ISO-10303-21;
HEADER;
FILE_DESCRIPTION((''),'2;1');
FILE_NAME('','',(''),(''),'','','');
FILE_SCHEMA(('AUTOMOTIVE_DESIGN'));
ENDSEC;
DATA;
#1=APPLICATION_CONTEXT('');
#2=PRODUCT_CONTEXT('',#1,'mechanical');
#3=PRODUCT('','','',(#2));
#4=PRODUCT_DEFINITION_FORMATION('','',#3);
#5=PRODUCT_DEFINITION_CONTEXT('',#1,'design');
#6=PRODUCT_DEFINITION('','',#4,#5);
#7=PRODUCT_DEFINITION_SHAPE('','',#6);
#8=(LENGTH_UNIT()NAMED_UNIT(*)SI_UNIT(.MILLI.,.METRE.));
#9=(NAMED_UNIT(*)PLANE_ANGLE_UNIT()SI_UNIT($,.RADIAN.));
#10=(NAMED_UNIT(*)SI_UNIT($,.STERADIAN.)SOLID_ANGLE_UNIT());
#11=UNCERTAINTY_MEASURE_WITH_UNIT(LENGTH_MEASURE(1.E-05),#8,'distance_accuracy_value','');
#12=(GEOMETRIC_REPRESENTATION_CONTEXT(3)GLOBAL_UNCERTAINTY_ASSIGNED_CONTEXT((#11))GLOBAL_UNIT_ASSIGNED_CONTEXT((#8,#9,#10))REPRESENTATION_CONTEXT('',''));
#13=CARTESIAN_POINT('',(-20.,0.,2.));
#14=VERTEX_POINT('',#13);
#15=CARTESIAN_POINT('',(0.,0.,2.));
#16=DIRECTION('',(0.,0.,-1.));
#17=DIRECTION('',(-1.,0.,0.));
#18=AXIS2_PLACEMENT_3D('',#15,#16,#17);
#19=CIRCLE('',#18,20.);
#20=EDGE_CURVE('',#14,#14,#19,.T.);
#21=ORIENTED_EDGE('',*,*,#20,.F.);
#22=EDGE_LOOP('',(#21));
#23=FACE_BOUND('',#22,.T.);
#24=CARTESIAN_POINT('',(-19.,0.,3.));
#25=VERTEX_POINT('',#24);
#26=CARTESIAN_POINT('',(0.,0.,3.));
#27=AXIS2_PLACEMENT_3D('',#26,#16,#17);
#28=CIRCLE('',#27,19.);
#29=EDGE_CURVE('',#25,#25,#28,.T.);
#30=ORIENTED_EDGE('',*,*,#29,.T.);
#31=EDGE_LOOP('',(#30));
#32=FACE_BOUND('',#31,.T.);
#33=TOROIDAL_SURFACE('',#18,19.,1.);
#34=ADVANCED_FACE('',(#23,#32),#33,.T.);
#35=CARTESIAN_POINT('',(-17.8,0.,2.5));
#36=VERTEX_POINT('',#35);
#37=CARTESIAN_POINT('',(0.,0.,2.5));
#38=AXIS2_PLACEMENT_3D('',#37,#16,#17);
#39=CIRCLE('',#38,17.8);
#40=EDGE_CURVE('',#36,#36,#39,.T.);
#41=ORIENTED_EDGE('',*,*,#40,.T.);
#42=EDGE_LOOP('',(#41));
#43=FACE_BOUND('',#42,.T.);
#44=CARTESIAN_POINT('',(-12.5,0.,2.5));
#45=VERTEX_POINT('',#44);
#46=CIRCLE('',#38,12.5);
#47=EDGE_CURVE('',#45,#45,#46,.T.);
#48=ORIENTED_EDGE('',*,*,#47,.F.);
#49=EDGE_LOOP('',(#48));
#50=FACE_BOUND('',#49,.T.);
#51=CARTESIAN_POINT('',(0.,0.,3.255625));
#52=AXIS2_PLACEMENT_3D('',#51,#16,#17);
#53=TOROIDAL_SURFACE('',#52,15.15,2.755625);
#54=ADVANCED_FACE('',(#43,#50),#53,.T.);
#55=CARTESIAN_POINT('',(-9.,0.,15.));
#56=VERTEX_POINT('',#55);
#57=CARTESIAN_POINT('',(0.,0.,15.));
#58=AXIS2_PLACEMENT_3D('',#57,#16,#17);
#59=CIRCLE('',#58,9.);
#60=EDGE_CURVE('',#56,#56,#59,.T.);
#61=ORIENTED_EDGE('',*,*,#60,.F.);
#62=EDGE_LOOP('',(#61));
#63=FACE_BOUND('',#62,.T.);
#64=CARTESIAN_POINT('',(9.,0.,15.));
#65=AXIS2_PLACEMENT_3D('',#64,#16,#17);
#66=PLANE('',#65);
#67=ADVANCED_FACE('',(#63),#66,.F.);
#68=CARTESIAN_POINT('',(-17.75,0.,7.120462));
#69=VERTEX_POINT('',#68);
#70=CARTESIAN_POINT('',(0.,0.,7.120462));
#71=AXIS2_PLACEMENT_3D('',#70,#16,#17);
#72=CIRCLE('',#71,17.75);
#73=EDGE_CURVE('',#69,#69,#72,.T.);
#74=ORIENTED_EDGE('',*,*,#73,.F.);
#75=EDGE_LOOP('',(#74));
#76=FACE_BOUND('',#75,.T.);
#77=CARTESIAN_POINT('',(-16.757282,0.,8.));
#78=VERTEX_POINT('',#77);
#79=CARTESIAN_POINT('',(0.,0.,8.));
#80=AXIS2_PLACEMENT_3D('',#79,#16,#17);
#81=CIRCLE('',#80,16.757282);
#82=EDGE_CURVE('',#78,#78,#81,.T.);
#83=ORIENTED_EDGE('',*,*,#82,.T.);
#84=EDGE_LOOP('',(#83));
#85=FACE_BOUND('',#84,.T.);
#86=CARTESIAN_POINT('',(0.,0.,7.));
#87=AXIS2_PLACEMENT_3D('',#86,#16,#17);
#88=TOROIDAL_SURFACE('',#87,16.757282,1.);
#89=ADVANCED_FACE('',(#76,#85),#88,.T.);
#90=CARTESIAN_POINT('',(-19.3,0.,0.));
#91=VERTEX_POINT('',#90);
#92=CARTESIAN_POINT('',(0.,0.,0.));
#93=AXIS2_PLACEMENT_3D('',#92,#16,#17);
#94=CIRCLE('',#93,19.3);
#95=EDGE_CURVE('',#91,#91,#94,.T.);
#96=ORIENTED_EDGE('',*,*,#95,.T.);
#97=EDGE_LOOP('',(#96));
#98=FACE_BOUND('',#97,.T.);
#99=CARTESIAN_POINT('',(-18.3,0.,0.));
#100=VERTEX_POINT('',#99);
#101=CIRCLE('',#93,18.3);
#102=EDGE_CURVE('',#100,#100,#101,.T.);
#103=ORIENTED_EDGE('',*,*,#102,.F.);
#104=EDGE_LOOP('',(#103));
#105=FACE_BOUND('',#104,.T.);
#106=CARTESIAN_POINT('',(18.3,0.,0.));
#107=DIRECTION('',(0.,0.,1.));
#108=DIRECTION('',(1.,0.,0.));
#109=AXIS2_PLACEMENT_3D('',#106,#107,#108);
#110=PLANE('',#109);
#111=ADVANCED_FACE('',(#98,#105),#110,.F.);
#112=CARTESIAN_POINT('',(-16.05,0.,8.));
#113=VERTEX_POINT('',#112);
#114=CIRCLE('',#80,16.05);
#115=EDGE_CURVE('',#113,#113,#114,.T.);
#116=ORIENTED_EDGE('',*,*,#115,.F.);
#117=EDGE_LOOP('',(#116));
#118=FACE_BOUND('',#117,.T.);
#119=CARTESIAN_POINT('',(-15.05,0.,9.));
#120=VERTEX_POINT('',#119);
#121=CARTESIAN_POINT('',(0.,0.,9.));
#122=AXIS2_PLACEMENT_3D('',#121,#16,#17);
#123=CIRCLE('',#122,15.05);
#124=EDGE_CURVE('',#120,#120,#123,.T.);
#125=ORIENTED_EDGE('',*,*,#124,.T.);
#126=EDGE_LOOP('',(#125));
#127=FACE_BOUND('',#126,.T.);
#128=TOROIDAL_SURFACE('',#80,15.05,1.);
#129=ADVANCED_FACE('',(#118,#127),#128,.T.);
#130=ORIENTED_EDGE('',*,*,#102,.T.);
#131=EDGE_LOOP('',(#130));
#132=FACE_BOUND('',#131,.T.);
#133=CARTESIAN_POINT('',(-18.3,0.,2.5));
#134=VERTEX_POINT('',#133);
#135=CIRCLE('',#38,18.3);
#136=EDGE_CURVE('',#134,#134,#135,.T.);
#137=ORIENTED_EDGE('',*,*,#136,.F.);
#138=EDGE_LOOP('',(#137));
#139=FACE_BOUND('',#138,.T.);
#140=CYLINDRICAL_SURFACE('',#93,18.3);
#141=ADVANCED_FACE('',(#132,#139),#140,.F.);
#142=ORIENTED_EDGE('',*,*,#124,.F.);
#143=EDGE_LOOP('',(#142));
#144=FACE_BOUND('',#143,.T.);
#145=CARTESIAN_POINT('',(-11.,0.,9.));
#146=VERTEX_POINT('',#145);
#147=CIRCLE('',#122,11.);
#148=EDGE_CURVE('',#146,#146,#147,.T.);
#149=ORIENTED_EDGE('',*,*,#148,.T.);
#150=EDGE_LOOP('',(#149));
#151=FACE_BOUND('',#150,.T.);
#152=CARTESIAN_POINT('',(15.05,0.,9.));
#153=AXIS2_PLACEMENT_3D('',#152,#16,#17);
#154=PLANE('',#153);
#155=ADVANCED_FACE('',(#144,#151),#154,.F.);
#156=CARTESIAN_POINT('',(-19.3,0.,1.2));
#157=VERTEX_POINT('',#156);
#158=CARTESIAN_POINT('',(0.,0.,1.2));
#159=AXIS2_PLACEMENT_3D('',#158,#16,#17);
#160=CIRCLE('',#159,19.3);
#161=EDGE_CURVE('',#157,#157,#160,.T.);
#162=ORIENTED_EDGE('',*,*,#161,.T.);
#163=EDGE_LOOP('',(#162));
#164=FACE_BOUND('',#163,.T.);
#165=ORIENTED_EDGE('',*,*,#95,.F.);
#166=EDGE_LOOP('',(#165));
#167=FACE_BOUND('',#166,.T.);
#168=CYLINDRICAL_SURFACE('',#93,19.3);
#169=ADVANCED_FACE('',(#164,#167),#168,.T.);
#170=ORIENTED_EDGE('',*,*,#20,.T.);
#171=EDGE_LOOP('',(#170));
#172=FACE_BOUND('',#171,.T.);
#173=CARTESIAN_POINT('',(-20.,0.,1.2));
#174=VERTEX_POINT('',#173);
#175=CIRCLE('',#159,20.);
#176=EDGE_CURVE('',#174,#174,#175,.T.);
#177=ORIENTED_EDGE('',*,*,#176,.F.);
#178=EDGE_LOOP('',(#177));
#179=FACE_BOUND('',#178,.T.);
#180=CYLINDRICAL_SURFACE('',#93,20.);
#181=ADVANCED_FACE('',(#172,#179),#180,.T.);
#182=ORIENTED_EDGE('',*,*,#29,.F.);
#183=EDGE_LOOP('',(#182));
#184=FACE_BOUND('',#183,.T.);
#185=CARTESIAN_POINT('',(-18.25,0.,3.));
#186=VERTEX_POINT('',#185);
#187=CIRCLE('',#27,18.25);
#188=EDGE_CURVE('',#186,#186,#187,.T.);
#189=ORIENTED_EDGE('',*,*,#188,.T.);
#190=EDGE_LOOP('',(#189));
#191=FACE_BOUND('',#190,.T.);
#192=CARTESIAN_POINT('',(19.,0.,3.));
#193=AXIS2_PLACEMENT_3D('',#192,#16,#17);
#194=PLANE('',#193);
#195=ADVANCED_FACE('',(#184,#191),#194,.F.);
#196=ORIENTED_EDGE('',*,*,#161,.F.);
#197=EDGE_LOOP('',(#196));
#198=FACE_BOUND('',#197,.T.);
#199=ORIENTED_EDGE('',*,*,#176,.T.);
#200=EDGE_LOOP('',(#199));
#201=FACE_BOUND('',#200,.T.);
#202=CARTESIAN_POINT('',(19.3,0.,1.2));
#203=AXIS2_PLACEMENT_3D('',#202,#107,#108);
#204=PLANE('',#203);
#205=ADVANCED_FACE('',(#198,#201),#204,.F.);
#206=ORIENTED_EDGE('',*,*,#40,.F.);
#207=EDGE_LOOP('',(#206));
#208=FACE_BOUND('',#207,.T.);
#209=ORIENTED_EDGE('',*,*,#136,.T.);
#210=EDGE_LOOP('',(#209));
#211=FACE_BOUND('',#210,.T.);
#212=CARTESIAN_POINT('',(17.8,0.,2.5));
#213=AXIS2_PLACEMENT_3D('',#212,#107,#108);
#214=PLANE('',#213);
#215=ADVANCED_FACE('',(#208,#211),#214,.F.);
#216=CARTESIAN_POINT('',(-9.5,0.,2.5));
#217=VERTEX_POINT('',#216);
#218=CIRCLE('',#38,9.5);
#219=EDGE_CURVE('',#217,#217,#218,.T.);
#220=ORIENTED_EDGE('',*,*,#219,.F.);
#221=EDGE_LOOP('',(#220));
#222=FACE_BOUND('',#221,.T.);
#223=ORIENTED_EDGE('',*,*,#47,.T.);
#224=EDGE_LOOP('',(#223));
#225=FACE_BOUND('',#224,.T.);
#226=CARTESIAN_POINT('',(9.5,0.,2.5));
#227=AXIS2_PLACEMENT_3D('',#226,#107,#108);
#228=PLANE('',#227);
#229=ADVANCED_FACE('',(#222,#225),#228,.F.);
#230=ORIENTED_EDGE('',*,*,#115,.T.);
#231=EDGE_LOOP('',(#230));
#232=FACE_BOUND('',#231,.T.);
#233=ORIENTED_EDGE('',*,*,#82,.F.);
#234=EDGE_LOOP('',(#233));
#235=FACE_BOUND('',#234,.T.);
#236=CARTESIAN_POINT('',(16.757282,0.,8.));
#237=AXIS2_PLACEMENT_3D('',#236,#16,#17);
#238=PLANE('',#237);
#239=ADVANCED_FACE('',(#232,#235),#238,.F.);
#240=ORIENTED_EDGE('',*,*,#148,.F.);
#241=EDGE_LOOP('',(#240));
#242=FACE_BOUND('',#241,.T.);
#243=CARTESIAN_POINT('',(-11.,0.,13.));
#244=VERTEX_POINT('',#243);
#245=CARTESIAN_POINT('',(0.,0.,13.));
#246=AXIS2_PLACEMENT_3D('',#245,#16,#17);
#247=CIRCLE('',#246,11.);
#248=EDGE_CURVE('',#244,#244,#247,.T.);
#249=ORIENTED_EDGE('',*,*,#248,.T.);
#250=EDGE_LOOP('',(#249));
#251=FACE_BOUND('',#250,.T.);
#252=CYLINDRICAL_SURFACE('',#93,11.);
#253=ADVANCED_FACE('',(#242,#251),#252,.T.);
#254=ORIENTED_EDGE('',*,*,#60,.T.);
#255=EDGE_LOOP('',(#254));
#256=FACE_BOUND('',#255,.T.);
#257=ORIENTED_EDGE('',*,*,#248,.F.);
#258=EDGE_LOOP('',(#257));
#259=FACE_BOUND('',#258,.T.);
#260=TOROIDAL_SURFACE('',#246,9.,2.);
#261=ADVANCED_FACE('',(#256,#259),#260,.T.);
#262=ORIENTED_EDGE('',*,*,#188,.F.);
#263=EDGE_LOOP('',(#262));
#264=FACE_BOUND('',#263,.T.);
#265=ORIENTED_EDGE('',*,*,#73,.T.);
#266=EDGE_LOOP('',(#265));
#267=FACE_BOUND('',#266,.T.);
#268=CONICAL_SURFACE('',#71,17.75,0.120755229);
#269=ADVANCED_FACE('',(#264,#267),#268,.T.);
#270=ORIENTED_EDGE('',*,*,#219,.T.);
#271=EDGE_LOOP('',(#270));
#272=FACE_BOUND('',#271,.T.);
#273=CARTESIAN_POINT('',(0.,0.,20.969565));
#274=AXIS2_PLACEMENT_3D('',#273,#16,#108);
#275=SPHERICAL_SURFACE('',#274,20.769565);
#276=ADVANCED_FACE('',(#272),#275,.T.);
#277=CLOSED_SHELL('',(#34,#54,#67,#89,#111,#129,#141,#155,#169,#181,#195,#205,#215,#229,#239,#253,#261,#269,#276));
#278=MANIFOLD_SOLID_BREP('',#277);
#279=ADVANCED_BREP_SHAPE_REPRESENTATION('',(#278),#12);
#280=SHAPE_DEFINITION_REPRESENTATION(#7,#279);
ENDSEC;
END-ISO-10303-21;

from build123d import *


with BuildPart() as part:
    # Эскиз1 → Повернуть1 (revolve)
    with BuildSketch(Plane(origin=(0, 0, 0), x_dir=(1, 0, 0), z_dir=(0, 1, 0)), mode=Mode.PRIVATE) as revolve_1_sk:
        with BuildLine():
            Line((0, -0.2), (0, -15))
            Line((0, -15), (9, -15))
            ThreePointArc((9, -15), (10.414213562, -14.414213562), (11, -13))
            Line((11, -13), (11, -9))
            Line((11, -9), (15.05, -9))
            ThreePointArc((15.05, -9), (15.757106781, -8.707106781), (16.05, -8))
            Line((16.05, -8), (16.757282057, -8))
            ThreePointArc((16.757282057, -8), (17.420432881, -7.748485795), (17.75, -7.120461971))
            Line((17.75, -7.120461971), (18.25, -3))
            Line((18.25, -3), (19, -3))
            ThreePointArc((19, -3), (19.707106781, -2.707106781), (20, -2))
            Line((20, -2), (20, -1.2))
            Line((20, -1.2), (19.3, -1.2))
            Line((19.3, -1.2), (19.3, 0))
            Line((19.3, 0), (18.3, 0))
            Line((18.3, 0), (18.3, -2.5))
            Line((18.3, -2.5), (17.8, -2.5))
            ThreePointArc((17.8, -2.5), (15.15, -0.5), (12.5, -2.5))
            Line((12.5, -2.5), (9.5, -2.5))
            ThreePointArc((9.5, -2.5), (4.887228253, -0.783187649), (0, -0.2))
        make_face()
    revolve(revolve_1_sk.sketch.rotate(Axis((0, 0, 0), (0, 0, 1)), 180), axis=Axis((0, 0, 0), (0, 0, 1)))


solid = part.part
